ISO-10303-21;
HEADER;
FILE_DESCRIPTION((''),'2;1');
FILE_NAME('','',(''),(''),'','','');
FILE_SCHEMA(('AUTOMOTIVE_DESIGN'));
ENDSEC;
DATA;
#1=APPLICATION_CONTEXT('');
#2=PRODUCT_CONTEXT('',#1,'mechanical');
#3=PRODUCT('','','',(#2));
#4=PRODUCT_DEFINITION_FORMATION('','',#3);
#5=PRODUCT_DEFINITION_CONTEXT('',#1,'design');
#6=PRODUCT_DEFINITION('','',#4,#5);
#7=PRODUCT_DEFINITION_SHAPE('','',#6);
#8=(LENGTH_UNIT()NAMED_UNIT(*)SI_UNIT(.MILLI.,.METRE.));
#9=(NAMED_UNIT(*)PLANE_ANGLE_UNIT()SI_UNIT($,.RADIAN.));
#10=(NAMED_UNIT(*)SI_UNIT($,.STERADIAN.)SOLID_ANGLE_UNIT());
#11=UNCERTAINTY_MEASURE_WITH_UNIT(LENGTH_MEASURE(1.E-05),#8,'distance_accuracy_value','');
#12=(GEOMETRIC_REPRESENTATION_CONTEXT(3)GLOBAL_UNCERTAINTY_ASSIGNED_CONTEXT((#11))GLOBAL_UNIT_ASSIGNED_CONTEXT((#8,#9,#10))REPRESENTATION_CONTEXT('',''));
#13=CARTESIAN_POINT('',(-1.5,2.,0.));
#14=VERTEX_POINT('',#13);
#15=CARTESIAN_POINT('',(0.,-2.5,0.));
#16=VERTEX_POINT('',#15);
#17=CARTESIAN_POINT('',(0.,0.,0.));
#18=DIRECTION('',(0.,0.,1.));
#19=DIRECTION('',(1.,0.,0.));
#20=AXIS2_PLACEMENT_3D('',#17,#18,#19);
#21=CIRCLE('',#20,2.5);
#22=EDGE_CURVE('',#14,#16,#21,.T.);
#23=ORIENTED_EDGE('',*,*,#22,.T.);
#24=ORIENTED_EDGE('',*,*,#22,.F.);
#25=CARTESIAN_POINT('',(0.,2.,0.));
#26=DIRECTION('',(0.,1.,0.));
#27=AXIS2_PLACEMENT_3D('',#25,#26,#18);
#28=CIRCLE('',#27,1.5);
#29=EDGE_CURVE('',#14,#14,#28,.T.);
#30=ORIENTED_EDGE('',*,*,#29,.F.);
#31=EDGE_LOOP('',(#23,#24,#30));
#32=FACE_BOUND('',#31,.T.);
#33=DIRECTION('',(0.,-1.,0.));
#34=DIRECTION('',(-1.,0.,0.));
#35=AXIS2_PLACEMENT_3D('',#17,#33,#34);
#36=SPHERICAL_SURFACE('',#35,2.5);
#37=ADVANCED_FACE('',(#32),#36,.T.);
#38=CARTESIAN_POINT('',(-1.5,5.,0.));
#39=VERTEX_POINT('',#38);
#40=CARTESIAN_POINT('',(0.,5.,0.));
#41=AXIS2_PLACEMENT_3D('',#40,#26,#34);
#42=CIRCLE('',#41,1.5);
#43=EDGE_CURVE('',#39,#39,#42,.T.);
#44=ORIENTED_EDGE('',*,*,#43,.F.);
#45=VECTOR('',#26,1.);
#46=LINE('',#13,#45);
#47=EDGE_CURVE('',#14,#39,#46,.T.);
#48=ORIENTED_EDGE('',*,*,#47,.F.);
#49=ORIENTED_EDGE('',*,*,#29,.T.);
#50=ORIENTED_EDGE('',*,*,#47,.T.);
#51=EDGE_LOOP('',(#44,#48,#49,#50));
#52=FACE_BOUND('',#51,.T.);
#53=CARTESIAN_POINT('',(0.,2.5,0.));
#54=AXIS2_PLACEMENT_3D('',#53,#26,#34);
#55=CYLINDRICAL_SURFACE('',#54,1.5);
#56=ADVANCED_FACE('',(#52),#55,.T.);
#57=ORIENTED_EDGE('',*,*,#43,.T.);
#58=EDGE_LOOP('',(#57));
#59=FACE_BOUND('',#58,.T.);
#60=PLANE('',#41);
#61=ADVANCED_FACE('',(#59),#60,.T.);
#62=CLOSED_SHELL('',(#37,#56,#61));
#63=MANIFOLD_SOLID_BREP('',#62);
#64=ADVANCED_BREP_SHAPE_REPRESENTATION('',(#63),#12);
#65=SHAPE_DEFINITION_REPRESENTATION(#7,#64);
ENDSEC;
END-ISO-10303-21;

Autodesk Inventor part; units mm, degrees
ref_plane "YZ Plane" through (0, 0, 0) normal (1, 0, 0) x (0, 1, 0)
ref_plane "XY Plane" through (0, 0, 0) normal (0, 0, 1) x (1, 0, 0)
sketch "스케치1" plane through (0, 0, 0) normal (0, 0, 1) x (1, 0, 0)
  circle A0 centre (0, 0) radius 2.5
  line L0 (0, 2.5) -> (0, -2.5)
  dimension "d0" = 5
revolve "회전1" add sketch "스케치1" angle 360 about axis through (0, 2.5, 0) along (0, -1, 0) picked at (-0.3873, -0.7379) contours L0 A0
ref_plane "작업 평면1" through (0, 2.5, 0) normal (0, 1, 0) x (-1, 0, 0)
sketch "스케치2" plane through (0, 2.5, 0) normal (0, 1, 0) x (-1, 0, 0)
  circle A0 centre (0, 0) radius 1.5
  dimension "d2" = 3
extrude "돌출1" add sketch "스케치2" along normal mid plane 5
properties part number "DummyBallJoint"
